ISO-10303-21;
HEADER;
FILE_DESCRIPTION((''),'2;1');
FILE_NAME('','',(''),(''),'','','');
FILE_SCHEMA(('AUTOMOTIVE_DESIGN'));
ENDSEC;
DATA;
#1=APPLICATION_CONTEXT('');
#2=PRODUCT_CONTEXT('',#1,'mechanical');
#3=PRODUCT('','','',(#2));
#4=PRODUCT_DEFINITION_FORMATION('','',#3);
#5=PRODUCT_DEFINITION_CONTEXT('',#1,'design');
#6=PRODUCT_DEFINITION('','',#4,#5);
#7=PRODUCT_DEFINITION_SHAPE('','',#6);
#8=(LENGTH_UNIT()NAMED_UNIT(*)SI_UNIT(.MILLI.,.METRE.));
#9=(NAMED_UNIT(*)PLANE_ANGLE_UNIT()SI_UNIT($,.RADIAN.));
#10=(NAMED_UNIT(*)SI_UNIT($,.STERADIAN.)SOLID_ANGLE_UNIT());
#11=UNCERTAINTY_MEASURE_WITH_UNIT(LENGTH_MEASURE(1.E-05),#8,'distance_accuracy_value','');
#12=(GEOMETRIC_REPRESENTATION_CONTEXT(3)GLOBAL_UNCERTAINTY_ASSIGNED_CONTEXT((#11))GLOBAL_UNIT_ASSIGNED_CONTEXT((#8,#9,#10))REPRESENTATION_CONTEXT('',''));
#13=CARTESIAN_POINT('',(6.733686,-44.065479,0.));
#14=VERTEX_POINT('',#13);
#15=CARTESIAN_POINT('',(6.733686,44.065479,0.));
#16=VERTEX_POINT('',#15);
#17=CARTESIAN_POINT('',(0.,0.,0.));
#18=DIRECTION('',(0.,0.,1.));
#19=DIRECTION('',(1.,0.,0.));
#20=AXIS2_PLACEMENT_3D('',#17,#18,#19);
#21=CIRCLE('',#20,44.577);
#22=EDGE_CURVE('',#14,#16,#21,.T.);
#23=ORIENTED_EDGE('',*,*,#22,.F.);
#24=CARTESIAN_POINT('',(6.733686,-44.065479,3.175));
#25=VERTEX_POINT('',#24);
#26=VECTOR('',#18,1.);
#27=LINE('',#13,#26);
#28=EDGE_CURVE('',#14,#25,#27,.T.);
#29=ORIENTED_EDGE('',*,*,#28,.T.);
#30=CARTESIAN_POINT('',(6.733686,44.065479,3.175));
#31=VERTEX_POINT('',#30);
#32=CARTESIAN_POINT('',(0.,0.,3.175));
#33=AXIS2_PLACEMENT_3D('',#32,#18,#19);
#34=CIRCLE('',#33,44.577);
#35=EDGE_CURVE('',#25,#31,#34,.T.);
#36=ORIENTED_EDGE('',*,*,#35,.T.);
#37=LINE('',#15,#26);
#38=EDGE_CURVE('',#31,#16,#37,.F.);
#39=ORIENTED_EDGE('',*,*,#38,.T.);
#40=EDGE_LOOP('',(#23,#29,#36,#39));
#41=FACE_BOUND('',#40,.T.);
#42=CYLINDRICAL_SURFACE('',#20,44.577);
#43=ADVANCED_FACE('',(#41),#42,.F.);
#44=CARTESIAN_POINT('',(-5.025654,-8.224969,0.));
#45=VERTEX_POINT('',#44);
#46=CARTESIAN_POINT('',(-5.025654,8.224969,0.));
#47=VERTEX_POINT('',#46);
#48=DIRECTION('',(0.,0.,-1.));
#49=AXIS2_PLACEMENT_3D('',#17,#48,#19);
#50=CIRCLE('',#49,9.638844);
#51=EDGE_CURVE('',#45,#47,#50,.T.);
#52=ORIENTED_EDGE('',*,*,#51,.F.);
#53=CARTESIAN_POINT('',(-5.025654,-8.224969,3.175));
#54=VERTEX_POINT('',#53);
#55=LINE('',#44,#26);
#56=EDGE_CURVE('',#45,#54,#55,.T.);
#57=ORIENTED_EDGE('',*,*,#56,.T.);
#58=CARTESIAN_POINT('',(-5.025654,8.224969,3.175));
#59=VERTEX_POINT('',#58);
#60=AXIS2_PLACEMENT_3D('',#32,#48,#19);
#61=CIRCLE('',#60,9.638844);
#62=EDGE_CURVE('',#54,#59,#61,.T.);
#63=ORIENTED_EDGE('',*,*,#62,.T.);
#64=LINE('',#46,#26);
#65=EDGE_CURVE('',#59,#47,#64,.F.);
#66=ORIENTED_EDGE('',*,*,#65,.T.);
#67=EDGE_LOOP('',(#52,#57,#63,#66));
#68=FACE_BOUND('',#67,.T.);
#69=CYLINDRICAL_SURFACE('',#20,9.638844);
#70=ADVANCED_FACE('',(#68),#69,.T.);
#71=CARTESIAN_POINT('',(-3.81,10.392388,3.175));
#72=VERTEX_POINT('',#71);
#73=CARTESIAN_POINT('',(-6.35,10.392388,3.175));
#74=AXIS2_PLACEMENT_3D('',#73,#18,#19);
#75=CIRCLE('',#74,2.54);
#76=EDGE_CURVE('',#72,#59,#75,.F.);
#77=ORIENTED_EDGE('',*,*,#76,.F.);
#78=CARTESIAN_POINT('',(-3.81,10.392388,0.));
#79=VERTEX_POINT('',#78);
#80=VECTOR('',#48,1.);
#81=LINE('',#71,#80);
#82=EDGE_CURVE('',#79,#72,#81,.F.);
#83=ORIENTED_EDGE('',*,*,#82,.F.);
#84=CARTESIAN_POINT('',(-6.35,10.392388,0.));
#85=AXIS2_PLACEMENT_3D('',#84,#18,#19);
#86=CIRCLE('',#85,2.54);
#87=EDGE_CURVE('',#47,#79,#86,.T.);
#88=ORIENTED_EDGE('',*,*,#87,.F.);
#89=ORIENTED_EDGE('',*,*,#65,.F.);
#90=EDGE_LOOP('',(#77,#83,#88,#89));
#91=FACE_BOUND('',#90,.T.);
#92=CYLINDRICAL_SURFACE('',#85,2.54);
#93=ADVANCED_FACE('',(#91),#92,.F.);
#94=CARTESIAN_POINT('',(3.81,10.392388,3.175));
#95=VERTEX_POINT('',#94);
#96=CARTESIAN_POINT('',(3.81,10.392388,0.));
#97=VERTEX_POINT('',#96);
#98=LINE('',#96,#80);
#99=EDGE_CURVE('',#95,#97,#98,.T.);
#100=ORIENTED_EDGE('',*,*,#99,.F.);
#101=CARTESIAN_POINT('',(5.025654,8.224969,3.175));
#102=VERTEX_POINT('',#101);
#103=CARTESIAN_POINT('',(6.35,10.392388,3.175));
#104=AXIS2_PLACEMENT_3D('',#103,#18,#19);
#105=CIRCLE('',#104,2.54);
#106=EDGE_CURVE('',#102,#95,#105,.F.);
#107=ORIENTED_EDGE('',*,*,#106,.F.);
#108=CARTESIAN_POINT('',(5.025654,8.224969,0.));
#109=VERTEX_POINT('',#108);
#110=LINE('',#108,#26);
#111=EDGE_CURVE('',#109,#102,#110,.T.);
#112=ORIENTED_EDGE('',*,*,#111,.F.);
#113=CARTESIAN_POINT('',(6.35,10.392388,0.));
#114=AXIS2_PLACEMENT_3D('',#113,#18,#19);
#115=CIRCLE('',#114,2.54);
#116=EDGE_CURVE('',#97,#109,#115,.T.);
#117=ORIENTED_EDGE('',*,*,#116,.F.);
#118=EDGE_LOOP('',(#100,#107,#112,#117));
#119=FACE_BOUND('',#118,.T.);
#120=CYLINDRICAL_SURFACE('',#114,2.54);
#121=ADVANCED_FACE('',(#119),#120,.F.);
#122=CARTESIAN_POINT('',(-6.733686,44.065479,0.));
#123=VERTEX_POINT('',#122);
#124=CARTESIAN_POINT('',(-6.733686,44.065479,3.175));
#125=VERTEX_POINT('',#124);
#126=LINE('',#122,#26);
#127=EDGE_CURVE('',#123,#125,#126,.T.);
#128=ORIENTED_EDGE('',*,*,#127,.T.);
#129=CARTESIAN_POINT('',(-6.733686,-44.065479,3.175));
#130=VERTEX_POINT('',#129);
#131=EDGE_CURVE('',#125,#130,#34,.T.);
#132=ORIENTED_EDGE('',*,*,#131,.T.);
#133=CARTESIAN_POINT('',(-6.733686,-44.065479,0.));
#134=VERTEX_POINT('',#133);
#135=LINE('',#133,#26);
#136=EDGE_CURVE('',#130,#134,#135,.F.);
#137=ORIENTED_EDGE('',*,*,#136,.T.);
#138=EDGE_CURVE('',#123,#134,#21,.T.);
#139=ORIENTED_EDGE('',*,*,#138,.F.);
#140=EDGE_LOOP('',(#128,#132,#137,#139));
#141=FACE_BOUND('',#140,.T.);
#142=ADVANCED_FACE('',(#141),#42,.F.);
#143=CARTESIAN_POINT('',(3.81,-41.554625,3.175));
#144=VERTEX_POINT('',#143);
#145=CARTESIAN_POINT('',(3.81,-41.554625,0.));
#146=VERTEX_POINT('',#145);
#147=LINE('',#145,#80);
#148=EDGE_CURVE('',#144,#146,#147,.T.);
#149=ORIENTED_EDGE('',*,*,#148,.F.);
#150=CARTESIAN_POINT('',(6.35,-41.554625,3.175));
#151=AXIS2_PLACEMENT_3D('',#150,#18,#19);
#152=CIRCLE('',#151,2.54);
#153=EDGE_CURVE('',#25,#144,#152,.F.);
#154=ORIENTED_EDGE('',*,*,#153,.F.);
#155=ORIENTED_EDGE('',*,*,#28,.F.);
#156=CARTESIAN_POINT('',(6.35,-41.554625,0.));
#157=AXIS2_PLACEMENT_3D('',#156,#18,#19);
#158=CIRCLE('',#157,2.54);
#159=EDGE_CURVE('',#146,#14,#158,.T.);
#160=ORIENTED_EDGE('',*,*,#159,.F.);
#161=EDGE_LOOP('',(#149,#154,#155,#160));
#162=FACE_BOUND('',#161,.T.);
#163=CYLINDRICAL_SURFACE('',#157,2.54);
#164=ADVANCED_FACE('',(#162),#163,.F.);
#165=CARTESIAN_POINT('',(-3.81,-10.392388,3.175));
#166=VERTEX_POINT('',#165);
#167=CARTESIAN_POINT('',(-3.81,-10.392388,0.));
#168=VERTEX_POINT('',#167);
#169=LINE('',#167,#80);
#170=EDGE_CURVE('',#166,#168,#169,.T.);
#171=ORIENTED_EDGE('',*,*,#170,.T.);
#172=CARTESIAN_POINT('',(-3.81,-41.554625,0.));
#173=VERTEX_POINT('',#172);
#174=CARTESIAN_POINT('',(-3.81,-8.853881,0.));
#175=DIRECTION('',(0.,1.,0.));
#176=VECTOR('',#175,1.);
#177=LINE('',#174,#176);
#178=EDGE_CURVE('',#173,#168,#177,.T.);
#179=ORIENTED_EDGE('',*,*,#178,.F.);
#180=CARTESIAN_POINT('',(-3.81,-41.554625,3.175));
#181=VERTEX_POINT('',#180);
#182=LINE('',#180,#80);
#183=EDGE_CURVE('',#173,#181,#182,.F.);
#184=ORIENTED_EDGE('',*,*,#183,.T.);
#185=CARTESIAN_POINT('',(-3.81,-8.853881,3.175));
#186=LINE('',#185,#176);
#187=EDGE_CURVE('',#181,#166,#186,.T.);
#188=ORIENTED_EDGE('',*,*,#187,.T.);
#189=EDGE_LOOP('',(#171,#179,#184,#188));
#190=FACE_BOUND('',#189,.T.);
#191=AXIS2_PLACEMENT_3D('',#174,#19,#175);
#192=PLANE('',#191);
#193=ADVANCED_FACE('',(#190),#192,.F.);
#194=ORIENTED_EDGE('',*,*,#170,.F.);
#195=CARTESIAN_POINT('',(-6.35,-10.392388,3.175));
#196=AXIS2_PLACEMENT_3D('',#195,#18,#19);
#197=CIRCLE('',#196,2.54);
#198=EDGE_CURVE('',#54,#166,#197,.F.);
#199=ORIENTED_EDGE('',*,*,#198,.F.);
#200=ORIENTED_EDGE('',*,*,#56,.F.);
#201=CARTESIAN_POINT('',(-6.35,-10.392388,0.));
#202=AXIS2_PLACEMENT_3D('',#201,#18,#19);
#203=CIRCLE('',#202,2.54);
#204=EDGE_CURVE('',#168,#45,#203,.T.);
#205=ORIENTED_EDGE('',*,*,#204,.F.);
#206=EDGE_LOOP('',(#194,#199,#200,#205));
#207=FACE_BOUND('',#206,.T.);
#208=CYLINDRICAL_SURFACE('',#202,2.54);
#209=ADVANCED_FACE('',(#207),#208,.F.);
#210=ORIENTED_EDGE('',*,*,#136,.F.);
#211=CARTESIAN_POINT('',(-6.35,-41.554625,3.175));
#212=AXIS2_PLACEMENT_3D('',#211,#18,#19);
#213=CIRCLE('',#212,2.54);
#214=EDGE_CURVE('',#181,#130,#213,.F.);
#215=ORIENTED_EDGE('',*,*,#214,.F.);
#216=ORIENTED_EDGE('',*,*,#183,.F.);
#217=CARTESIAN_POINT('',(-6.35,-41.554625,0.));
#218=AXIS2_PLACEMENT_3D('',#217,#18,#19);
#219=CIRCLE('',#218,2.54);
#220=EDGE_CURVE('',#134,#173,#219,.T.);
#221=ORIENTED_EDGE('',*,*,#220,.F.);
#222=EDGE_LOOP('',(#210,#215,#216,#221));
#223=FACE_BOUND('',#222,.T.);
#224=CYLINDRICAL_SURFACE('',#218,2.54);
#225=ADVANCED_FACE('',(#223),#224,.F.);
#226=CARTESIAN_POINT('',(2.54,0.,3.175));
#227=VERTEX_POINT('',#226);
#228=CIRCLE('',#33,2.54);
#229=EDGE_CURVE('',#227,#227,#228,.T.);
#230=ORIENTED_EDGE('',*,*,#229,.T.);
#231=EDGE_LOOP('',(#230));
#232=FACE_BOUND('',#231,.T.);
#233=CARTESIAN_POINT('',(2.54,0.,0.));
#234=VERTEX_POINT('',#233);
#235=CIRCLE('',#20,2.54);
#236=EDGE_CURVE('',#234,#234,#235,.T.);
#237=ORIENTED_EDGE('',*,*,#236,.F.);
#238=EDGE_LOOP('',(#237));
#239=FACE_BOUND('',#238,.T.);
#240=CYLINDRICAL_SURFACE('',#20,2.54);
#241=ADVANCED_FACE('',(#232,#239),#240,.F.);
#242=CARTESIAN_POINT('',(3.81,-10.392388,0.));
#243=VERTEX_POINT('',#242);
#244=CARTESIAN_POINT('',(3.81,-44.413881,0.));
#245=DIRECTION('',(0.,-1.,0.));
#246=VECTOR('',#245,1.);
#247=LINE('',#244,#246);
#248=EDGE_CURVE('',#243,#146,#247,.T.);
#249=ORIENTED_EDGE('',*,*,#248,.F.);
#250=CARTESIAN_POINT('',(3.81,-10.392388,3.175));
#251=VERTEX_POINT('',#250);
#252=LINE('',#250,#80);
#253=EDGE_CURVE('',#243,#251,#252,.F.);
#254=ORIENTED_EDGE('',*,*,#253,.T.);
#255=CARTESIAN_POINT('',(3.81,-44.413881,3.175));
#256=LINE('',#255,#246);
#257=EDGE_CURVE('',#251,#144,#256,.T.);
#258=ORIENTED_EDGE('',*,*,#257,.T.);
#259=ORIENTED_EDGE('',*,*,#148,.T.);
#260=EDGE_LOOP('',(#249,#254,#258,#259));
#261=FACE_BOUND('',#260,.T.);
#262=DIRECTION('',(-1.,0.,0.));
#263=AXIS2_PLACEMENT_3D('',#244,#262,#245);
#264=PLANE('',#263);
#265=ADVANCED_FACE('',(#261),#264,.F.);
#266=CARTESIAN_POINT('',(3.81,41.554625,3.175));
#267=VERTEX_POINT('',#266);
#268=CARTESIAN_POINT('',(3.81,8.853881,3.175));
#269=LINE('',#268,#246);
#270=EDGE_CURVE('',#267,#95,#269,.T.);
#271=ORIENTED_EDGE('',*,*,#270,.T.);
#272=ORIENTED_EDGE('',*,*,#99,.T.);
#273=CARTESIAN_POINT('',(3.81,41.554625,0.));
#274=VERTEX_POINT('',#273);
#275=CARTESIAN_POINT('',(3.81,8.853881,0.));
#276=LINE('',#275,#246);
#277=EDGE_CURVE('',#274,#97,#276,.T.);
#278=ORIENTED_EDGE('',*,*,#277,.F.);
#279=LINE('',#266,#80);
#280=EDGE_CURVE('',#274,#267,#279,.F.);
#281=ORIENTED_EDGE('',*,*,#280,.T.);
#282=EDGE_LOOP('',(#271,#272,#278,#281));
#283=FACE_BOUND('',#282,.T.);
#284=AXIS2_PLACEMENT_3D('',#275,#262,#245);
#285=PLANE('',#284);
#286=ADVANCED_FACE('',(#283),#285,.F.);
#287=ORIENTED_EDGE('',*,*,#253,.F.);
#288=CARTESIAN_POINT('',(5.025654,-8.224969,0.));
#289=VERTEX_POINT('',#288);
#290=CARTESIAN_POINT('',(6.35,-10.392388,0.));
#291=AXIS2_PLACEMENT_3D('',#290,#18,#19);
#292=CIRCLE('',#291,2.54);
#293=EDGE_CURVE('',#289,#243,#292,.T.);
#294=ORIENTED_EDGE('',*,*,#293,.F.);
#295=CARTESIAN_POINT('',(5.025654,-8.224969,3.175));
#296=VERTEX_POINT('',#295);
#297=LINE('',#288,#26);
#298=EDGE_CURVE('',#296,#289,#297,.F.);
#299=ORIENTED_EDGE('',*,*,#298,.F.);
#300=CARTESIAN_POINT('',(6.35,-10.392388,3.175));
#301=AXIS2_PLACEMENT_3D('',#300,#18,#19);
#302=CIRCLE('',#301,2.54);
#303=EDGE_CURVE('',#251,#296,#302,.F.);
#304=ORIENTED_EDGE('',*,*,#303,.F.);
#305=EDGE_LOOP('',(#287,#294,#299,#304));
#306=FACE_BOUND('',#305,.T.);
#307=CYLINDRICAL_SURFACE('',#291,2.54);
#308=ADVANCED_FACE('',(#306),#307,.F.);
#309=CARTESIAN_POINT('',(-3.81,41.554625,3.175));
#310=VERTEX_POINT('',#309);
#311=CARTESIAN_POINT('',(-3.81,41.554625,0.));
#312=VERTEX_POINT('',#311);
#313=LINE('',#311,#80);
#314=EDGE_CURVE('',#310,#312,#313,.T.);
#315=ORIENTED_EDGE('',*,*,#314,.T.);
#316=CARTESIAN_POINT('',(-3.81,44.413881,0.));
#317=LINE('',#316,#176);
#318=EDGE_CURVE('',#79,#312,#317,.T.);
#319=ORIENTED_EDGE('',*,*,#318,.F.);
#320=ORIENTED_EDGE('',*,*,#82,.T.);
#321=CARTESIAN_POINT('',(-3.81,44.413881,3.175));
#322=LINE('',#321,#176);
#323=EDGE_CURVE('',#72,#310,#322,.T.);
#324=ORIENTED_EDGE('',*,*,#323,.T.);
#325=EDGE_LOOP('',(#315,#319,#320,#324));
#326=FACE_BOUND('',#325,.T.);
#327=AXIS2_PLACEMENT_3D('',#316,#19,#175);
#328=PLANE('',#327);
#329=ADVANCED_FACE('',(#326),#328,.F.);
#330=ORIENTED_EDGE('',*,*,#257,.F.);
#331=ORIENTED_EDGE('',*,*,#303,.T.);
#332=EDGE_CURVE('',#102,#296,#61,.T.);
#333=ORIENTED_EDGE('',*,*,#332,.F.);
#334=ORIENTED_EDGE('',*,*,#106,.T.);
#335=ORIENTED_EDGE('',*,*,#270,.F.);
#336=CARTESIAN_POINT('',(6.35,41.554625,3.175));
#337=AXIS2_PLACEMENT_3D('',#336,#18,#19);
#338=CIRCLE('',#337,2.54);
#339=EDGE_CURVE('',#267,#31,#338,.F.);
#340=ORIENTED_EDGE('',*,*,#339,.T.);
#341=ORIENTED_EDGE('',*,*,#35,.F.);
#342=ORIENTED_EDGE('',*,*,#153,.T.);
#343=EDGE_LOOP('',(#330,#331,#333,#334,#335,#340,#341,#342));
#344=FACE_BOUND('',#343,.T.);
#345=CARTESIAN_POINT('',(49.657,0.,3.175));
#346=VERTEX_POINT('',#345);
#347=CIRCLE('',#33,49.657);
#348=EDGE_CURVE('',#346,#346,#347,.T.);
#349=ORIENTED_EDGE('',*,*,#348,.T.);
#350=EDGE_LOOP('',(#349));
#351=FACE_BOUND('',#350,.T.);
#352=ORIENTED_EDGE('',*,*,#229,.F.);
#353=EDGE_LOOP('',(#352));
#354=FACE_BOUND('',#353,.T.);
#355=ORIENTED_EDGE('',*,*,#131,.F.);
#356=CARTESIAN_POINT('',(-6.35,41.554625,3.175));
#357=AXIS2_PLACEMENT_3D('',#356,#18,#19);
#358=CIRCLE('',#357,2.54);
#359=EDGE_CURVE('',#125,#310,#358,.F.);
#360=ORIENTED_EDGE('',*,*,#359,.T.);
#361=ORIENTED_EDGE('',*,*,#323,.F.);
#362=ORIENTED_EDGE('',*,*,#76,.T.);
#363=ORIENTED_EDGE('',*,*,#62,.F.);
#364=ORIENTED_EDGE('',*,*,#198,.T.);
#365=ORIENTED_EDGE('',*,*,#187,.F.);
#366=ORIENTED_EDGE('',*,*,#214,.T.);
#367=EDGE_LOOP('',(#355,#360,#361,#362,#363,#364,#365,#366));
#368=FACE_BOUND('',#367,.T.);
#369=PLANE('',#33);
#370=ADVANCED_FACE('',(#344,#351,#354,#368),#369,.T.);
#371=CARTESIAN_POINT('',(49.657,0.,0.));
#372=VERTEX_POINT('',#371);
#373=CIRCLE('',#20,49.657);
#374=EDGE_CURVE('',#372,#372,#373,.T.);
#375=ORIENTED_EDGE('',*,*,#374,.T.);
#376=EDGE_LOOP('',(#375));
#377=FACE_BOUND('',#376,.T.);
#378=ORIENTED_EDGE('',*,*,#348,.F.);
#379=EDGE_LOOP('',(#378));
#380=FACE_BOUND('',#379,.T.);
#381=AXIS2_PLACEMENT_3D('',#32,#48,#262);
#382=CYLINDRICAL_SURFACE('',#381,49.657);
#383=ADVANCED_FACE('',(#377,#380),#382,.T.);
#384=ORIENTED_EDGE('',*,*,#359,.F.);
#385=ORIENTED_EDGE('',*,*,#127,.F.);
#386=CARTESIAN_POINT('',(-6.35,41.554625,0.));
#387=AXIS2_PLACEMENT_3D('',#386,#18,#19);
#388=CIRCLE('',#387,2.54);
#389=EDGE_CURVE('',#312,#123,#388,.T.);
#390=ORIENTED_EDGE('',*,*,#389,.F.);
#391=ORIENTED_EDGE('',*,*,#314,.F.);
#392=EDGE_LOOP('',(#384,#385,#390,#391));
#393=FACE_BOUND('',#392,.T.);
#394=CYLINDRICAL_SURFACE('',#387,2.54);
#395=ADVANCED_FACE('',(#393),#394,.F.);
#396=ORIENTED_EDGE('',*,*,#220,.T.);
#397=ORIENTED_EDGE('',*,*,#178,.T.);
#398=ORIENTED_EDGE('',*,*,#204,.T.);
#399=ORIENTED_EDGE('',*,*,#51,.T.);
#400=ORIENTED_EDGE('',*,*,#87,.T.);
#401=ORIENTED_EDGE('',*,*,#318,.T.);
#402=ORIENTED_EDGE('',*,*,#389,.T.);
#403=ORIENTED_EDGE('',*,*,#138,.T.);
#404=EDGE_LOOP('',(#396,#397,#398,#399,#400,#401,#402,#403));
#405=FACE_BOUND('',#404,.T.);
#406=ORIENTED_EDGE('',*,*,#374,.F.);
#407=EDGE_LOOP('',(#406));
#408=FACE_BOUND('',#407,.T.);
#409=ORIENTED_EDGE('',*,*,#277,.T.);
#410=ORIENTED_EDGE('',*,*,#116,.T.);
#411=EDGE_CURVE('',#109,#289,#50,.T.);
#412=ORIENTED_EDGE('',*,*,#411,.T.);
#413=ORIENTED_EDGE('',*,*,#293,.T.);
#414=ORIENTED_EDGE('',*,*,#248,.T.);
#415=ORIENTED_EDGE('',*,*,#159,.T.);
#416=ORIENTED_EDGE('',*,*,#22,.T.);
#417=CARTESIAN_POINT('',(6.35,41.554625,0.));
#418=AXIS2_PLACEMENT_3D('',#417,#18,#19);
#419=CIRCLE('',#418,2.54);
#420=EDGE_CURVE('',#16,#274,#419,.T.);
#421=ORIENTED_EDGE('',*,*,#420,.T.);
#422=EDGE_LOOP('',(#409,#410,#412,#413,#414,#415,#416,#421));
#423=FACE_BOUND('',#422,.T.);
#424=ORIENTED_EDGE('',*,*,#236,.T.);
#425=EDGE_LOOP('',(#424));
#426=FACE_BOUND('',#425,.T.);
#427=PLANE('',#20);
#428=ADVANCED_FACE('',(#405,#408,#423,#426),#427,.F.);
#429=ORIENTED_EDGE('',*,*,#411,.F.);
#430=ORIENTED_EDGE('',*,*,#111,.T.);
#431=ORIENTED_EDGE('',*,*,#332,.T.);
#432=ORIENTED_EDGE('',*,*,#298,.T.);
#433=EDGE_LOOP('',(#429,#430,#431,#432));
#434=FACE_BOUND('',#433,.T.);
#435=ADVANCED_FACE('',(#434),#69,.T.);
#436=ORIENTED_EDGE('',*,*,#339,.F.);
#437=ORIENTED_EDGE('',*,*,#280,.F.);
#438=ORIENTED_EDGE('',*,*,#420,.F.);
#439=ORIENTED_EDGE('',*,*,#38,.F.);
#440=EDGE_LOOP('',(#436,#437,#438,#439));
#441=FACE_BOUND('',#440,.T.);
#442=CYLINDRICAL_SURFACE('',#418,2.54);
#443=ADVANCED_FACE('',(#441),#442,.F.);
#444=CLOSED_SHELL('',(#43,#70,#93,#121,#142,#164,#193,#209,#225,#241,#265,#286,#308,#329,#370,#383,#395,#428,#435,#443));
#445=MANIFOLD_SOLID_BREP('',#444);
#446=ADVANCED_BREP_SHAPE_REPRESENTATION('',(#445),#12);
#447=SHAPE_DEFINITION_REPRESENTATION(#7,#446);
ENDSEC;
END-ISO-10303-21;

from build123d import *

# Parameters (mm, degrees)
SKETCH1_R           = 49.657
BOSS_EXTRUDE1_DEPTH = 3.175
CUT_EXTRUDE1_DEPTH  = 71.297339374
FILLET1_R           = 2.54
FILLET2_R           = 2.54
SKETCH4_R           = 2.54
CUT_EXTRUDE2_DEPTH  = 71.297339374


with BuildPart() as part:
    # Sketch1 → Boss-Extrude1 (new body)
    with BuildSketch(Plane.XY):
        Circle(SKETCH1_R)
    extrude(amount=BOSS_EXTRUDE1_DEPTH)

    # Sketch3 → Cut-Extrude1 (cut, through all)
    with BuildSketch(Plane.XY.offset(3.175)):
        with BuildLine():
            Line((-3.81, 44.41388104), (-3.81, 8.85388104))
            ThreePointArc((-3.81, 8.85388104), (-9.638843783, 0), (-3.81, -8.85388104))
            Line((-3.81, -8.85388104), (-3.81, -44.41388104))
            ThreePointArc((-3.81, -44.41388104), (-44.577, 0), (-3.81, 44.41388104))
        make_face()
        with BuildLine():
            Line((3.81, 8.85388104), (3.81, 44.41388104))
            ThreePointArc((3.81, 44.41388104), (44.577, 0), (3.81, -44.41388104))
            Line((3.81, -44.41388104), (3.81, -8.85388104))
            ThreePointArc((3.81, -8.85388104), (9.638843783, 0), (3.81, 8.85388104))
        make_face()
    extrude(amount=-CUT_EXTRUDE1_DEPTH, mode=Mode.SUBTRACT)

    # Fillet1
    fillet1_edges = [part.edges().sort_by_distance(p)[0] for p in [
        (-3.81, -44.41388104, 1.5875),
        (-3.81, 44.41388104, 1.5875),
        (3.81, 44.41388104, 1.5875),
        (3.81, -44.41388104, 1.5875),
    ]]
    fillet(fillet1_edges, radius=FILLET1_R)

    # Fillet2
    fillet2_edges = [part.edges().sort_by_distance(p)[0] for p in [
        (-3.81, 8.85388104, 1.5875),
        (-3.81, -8.85388104, 1.5875),
        (3.81, -8.85388104, 1.5875),
        (3.81, 8.85388104, 1.5875),
    ]]
    fillet(fillet2_edges, radius=FILLET2_R)

    # Sketch4 → Cut-Extrude2 (cut, through all)
    with BuildSketch(Plane.XY.offset(3.175)):
        Circle(SKETCH4_R)
    extrude(amount=-CUT_EXTRUDE2_DEPTH, mode=Mode.SUBTRACT)


solid = part.part
